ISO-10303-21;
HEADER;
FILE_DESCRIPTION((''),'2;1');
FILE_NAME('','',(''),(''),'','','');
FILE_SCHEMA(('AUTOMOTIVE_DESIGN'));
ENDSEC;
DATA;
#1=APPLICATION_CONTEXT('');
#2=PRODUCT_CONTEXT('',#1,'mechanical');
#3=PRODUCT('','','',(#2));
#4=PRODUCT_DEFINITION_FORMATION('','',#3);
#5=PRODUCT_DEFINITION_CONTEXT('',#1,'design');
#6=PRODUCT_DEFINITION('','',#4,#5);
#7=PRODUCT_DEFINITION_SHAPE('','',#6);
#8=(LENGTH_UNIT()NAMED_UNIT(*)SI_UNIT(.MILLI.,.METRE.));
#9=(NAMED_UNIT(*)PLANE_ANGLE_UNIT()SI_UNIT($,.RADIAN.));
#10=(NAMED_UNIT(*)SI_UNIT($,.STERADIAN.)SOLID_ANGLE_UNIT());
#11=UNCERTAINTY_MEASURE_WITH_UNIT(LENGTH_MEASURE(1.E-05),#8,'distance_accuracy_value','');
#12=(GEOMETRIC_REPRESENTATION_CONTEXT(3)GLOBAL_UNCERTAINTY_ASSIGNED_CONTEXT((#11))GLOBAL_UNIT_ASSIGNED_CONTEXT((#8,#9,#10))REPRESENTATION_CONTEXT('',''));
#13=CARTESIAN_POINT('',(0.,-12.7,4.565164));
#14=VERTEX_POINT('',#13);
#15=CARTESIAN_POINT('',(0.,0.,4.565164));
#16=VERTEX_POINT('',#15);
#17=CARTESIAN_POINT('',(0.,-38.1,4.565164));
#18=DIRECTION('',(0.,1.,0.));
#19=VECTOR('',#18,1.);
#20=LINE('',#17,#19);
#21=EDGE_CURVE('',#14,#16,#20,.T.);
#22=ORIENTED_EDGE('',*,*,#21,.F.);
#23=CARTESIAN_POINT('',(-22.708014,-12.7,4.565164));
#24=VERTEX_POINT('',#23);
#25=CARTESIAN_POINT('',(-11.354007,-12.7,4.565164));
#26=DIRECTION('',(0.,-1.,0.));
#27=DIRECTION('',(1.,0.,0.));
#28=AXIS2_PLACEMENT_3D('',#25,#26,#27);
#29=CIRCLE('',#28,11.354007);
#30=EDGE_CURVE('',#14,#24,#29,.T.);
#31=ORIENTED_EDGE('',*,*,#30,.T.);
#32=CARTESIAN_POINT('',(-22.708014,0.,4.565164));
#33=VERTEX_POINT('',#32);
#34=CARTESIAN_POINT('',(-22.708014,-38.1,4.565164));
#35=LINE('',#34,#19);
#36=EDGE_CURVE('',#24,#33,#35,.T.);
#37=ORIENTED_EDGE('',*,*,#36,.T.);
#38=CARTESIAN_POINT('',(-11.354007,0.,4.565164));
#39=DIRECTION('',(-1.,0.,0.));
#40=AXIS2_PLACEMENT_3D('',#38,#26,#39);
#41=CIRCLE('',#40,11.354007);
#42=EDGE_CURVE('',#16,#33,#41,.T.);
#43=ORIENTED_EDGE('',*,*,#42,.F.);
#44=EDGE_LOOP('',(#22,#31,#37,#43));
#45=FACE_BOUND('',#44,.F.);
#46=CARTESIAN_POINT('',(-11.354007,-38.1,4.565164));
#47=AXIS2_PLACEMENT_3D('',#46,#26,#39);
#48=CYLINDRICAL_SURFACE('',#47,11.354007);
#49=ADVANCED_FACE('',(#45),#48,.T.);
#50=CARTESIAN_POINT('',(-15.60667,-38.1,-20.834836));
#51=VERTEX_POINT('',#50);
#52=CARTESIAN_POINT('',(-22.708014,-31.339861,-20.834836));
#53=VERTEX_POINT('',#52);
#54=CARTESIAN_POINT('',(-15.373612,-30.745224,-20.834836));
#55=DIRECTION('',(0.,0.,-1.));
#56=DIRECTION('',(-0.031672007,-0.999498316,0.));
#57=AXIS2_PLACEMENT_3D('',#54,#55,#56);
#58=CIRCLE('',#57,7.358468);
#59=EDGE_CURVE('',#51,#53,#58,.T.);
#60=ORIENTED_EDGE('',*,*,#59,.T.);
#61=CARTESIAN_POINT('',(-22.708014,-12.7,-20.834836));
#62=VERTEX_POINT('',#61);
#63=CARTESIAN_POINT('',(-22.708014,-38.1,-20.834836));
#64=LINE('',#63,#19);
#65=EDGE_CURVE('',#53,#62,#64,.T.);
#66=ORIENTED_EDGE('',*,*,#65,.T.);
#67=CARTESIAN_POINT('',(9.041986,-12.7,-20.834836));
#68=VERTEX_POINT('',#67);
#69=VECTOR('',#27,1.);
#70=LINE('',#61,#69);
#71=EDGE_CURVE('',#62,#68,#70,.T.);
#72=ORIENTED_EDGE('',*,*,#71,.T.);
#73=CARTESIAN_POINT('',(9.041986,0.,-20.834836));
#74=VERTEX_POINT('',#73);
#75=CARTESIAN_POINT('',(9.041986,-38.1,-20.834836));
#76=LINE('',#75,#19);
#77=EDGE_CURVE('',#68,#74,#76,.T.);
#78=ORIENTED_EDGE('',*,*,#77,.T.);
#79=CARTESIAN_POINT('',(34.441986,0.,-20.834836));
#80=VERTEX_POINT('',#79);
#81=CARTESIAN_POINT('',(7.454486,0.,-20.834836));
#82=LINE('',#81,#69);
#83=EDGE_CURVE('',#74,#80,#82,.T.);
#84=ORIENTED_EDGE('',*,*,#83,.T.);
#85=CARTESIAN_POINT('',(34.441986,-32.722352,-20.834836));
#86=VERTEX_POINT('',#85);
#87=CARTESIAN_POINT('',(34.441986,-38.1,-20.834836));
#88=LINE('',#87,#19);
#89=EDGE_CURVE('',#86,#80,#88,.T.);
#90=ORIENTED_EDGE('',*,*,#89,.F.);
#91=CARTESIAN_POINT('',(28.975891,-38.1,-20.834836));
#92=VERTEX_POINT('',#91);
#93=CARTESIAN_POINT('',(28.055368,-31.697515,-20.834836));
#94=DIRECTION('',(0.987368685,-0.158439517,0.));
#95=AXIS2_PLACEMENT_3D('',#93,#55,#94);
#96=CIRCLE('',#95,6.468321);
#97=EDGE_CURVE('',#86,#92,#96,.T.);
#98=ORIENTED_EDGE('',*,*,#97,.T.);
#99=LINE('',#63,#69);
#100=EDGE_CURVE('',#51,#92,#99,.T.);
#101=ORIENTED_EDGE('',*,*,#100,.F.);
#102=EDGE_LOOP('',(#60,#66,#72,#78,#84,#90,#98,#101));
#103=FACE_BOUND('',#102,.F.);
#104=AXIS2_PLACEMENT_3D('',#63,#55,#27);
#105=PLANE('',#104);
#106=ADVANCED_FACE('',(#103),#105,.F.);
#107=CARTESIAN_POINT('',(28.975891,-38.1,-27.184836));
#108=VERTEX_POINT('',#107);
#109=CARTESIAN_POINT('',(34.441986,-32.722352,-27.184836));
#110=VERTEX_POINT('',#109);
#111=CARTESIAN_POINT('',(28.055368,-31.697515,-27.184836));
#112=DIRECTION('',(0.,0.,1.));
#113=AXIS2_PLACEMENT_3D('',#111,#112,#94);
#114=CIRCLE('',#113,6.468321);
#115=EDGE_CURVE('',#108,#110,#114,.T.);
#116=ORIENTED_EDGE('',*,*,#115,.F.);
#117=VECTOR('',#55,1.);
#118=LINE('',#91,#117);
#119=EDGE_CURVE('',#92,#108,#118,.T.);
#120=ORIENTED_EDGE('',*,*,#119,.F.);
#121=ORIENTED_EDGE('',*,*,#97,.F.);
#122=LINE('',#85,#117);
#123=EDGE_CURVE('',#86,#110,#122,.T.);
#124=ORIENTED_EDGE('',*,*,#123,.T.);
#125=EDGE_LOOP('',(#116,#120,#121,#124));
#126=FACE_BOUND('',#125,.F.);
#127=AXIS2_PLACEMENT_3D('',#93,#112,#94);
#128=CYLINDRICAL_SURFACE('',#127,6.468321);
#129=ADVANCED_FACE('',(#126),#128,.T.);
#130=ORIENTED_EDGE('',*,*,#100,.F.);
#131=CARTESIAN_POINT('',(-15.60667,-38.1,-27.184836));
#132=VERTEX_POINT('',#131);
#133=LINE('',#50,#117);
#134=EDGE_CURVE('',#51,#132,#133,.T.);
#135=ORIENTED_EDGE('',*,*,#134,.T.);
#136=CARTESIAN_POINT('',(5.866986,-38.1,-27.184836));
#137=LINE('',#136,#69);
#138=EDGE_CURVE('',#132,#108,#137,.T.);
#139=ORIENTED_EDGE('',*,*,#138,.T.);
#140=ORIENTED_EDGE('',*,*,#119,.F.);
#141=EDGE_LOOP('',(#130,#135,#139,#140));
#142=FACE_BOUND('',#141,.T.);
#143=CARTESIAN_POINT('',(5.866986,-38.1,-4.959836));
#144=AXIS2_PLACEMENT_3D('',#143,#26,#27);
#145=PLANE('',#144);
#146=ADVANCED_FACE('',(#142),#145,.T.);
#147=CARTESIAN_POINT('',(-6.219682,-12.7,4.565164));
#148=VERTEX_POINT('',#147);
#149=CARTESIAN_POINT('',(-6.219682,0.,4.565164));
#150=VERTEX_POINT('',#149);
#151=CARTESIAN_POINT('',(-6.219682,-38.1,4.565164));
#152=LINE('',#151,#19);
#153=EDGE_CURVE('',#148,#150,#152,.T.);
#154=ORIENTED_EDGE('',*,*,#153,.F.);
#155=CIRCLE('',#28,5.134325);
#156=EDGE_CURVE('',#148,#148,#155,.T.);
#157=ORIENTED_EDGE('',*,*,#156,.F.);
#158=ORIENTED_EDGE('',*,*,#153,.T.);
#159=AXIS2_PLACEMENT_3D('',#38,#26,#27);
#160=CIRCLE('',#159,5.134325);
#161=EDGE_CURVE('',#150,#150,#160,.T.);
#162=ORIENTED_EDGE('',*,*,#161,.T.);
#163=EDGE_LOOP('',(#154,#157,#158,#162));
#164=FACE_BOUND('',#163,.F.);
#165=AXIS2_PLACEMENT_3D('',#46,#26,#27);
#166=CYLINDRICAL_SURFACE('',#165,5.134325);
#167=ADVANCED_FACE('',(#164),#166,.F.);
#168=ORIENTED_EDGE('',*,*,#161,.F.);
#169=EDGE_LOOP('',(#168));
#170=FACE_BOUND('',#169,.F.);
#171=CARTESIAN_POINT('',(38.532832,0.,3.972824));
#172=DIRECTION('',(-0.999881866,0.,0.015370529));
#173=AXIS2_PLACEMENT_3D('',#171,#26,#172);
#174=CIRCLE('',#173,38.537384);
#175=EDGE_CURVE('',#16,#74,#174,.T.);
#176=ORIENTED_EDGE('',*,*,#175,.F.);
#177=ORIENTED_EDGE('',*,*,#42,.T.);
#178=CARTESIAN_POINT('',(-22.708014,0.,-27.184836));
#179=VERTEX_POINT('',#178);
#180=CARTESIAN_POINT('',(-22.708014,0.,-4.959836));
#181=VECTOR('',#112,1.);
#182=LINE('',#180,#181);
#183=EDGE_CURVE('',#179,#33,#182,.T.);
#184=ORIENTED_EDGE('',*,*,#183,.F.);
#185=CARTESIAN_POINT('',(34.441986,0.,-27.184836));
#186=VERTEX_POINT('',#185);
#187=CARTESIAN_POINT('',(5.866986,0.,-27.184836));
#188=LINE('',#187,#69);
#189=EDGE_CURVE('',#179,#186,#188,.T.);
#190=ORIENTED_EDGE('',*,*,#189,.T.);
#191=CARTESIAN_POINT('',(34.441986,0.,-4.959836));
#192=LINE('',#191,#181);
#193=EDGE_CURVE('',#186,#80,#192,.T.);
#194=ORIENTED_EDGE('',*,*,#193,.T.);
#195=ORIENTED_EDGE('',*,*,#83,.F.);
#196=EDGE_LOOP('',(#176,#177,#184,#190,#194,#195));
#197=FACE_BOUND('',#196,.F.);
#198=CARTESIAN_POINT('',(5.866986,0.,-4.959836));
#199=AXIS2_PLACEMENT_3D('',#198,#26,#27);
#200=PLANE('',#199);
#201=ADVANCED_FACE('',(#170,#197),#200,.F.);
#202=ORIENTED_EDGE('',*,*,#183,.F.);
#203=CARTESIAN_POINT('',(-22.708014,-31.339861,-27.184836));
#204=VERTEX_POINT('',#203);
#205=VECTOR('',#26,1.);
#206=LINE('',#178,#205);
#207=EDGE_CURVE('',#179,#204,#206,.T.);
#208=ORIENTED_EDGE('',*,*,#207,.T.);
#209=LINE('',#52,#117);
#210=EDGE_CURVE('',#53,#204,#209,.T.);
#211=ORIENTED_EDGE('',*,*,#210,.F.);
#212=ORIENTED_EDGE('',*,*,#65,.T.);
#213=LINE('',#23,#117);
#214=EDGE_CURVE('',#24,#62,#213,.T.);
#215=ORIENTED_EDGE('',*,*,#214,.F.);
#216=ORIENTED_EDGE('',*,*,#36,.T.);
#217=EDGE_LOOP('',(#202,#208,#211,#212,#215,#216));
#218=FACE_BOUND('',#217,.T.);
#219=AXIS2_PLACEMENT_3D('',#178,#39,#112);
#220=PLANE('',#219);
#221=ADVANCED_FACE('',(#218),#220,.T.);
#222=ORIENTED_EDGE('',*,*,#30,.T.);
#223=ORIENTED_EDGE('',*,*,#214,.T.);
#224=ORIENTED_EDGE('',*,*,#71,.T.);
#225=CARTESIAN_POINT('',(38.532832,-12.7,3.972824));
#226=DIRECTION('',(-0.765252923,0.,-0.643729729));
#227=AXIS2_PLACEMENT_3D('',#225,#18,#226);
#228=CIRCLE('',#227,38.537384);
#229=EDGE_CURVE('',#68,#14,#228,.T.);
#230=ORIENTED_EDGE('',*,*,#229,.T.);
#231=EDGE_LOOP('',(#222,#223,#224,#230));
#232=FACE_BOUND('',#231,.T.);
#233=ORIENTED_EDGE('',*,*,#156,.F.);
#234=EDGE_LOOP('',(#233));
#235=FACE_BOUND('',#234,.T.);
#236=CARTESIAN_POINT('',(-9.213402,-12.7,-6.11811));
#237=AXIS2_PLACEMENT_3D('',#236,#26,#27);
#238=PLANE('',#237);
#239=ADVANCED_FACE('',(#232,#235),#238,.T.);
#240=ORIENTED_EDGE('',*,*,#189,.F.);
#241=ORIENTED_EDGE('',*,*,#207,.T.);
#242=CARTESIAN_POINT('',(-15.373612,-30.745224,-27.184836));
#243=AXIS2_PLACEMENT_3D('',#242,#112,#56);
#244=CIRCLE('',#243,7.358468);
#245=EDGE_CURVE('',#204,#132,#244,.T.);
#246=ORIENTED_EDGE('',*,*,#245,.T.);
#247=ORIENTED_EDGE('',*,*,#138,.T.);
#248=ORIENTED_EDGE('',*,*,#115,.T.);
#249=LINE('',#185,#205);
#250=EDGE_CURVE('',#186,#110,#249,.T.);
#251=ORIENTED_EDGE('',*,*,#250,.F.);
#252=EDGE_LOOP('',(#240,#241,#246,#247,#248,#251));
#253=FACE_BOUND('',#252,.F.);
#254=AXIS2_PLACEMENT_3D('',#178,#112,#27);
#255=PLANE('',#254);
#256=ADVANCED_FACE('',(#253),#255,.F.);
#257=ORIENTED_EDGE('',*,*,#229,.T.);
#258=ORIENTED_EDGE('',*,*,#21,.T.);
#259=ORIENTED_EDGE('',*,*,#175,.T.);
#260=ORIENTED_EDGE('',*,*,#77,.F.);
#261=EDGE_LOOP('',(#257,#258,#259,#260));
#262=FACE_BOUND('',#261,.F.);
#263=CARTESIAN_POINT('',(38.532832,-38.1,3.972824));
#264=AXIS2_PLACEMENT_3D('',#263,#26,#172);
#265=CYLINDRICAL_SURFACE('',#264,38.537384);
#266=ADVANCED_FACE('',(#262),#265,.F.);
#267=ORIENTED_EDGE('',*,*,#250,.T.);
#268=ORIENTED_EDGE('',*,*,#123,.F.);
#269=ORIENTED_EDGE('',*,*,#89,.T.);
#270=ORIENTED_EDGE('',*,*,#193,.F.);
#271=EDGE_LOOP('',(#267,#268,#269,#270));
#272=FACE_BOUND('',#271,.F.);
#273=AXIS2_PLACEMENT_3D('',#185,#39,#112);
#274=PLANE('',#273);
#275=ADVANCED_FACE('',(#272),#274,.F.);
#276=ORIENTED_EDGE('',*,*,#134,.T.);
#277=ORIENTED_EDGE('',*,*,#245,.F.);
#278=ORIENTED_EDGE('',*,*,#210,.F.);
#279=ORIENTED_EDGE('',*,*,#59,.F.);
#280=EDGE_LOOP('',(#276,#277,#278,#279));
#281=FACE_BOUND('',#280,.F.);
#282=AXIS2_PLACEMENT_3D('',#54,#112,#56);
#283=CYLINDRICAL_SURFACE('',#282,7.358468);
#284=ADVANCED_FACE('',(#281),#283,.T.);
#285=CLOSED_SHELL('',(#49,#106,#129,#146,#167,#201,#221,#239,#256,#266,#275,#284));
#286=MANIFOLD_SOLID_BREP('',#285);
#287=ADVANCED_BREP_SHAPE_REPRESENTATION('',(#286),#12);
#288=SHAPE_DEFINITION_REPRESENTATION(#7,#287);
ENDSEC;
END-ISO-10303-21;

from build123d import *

# Parameters (mm, degrees)
F0_W     = 57.15
F0_H     = 44.45
F1_DEPTH = 38.1
F3_DEPTH = 50.8
F4_R     = 5.1343253719
F5_DEPTH = 50.8
F6_R     = 5.1343253719
F7_DEPTH = 25.4
F9_DEPTH = 25.4


with BuildPart() as f1:
    # F0 (on Front) → F1 (new body)
    with BuildSketch(Plane.XZ):
        with Locations((5.8669857811, -4.9598356709)):
            Rectangle(F0_W, F0_H)
    extrude(amount=F1_DEPTH)

    # F2 (on face) → F3 (cut)
    with BuildSketch(Plane.XZ.offset(38.1)):
        with BuildLine():
            Line((-22.7080142189, 17.2651643291), (-22.7080142189, 4.5651643291))
            ThreePointArc((-22.7080142189, 4.5651643291), (-11.3540071095, 15.9191714386), (0, 4.5651643291))
            ThreePointArc((0, 4.5651643291), (2.2272511589, -8.9513703214), (9.0419857811, -20.8348356709))
            Line((9.0419857811, -20.8348356709), (34.4419857811, -20.8348356709))
            Line((34.4419857811, -20.8348356709), (34.4419857811, 17.2651643291))
            Line((34.4419857811, 17.2651643291), (-22.7080142189, 17.2651643291))
        make_face()
    extrude(amount=-F3_DEPTH, mode=Mode.SUBTRACT)

    # F4 (on face) → F5 (cut)
    with BuildSketch(Plane.XZ.offset(38.1)):
        with Locations((-11.3540071095, 4.5651643291)):
            Circle(F4_R)
    extrude(amount=-F5_DEPTH, mode=Mode.SUBTRACT)

    # F6 (on face) → F7 (cut)
    with BuildSketch(Plane.XZ.offset(38.1)):
        with BuildLine():
            Line((-22.7080142189, -20.8348356709), (9.0419857811, -20.8348356709))
            ThreePointArc((9.0419857811, -20.8348356709), (2.2272511589, -8.9513703214), (0, 4.5651643291))
            ThreePointArc((0, 4.5651643291), (-11.3540071095, 15.9191714386), (-22.7080142189, 4.5651643291))
            Line((-22.7080142189, 4.5651643291), (-22.7080142189, -20.8348356709))
        make_face()
        with Locations((-11.3540071095, 4.5651643291)):
            Circle(F6_R, mode=Mode.SUBTRACT)
    extrude(amount=-F7_DEPTH, mode=Mode.SUBTRACT)

    # F8 (on face) → F9 (cut)
    with BuildSketch(Plane.XY.offset(-20.8348356709)):
        with BuildLine():
            ThreePointArc((-15.6066697437, -38.1), (-20.4472184025, -36.0749113012), (-22.7080142189, -31.3398613719))
            Line((-22.7080142189, -31.3398613719), (-22.7080142189, -38.1))
            Line((-22.7080142189, -38.1), (-15.6066697437, -38.1))
        make_face()
        with BuildLine():
            ThreePointArc((34.4419857811, -32.7223523103), (32.5917045845, -36.3084613898), (28.9758909494, -38.1))
            Line((28.9758909494, -38.1), (34.4419857811, -38.1))
            Line((34.4419857811, -38.1), (34.4419857811, -32.7223523103))
        make_face()
    extrude(amount=-F9_DEPTH, mode=Mode.SUBTRACT)


solid = f1.part
